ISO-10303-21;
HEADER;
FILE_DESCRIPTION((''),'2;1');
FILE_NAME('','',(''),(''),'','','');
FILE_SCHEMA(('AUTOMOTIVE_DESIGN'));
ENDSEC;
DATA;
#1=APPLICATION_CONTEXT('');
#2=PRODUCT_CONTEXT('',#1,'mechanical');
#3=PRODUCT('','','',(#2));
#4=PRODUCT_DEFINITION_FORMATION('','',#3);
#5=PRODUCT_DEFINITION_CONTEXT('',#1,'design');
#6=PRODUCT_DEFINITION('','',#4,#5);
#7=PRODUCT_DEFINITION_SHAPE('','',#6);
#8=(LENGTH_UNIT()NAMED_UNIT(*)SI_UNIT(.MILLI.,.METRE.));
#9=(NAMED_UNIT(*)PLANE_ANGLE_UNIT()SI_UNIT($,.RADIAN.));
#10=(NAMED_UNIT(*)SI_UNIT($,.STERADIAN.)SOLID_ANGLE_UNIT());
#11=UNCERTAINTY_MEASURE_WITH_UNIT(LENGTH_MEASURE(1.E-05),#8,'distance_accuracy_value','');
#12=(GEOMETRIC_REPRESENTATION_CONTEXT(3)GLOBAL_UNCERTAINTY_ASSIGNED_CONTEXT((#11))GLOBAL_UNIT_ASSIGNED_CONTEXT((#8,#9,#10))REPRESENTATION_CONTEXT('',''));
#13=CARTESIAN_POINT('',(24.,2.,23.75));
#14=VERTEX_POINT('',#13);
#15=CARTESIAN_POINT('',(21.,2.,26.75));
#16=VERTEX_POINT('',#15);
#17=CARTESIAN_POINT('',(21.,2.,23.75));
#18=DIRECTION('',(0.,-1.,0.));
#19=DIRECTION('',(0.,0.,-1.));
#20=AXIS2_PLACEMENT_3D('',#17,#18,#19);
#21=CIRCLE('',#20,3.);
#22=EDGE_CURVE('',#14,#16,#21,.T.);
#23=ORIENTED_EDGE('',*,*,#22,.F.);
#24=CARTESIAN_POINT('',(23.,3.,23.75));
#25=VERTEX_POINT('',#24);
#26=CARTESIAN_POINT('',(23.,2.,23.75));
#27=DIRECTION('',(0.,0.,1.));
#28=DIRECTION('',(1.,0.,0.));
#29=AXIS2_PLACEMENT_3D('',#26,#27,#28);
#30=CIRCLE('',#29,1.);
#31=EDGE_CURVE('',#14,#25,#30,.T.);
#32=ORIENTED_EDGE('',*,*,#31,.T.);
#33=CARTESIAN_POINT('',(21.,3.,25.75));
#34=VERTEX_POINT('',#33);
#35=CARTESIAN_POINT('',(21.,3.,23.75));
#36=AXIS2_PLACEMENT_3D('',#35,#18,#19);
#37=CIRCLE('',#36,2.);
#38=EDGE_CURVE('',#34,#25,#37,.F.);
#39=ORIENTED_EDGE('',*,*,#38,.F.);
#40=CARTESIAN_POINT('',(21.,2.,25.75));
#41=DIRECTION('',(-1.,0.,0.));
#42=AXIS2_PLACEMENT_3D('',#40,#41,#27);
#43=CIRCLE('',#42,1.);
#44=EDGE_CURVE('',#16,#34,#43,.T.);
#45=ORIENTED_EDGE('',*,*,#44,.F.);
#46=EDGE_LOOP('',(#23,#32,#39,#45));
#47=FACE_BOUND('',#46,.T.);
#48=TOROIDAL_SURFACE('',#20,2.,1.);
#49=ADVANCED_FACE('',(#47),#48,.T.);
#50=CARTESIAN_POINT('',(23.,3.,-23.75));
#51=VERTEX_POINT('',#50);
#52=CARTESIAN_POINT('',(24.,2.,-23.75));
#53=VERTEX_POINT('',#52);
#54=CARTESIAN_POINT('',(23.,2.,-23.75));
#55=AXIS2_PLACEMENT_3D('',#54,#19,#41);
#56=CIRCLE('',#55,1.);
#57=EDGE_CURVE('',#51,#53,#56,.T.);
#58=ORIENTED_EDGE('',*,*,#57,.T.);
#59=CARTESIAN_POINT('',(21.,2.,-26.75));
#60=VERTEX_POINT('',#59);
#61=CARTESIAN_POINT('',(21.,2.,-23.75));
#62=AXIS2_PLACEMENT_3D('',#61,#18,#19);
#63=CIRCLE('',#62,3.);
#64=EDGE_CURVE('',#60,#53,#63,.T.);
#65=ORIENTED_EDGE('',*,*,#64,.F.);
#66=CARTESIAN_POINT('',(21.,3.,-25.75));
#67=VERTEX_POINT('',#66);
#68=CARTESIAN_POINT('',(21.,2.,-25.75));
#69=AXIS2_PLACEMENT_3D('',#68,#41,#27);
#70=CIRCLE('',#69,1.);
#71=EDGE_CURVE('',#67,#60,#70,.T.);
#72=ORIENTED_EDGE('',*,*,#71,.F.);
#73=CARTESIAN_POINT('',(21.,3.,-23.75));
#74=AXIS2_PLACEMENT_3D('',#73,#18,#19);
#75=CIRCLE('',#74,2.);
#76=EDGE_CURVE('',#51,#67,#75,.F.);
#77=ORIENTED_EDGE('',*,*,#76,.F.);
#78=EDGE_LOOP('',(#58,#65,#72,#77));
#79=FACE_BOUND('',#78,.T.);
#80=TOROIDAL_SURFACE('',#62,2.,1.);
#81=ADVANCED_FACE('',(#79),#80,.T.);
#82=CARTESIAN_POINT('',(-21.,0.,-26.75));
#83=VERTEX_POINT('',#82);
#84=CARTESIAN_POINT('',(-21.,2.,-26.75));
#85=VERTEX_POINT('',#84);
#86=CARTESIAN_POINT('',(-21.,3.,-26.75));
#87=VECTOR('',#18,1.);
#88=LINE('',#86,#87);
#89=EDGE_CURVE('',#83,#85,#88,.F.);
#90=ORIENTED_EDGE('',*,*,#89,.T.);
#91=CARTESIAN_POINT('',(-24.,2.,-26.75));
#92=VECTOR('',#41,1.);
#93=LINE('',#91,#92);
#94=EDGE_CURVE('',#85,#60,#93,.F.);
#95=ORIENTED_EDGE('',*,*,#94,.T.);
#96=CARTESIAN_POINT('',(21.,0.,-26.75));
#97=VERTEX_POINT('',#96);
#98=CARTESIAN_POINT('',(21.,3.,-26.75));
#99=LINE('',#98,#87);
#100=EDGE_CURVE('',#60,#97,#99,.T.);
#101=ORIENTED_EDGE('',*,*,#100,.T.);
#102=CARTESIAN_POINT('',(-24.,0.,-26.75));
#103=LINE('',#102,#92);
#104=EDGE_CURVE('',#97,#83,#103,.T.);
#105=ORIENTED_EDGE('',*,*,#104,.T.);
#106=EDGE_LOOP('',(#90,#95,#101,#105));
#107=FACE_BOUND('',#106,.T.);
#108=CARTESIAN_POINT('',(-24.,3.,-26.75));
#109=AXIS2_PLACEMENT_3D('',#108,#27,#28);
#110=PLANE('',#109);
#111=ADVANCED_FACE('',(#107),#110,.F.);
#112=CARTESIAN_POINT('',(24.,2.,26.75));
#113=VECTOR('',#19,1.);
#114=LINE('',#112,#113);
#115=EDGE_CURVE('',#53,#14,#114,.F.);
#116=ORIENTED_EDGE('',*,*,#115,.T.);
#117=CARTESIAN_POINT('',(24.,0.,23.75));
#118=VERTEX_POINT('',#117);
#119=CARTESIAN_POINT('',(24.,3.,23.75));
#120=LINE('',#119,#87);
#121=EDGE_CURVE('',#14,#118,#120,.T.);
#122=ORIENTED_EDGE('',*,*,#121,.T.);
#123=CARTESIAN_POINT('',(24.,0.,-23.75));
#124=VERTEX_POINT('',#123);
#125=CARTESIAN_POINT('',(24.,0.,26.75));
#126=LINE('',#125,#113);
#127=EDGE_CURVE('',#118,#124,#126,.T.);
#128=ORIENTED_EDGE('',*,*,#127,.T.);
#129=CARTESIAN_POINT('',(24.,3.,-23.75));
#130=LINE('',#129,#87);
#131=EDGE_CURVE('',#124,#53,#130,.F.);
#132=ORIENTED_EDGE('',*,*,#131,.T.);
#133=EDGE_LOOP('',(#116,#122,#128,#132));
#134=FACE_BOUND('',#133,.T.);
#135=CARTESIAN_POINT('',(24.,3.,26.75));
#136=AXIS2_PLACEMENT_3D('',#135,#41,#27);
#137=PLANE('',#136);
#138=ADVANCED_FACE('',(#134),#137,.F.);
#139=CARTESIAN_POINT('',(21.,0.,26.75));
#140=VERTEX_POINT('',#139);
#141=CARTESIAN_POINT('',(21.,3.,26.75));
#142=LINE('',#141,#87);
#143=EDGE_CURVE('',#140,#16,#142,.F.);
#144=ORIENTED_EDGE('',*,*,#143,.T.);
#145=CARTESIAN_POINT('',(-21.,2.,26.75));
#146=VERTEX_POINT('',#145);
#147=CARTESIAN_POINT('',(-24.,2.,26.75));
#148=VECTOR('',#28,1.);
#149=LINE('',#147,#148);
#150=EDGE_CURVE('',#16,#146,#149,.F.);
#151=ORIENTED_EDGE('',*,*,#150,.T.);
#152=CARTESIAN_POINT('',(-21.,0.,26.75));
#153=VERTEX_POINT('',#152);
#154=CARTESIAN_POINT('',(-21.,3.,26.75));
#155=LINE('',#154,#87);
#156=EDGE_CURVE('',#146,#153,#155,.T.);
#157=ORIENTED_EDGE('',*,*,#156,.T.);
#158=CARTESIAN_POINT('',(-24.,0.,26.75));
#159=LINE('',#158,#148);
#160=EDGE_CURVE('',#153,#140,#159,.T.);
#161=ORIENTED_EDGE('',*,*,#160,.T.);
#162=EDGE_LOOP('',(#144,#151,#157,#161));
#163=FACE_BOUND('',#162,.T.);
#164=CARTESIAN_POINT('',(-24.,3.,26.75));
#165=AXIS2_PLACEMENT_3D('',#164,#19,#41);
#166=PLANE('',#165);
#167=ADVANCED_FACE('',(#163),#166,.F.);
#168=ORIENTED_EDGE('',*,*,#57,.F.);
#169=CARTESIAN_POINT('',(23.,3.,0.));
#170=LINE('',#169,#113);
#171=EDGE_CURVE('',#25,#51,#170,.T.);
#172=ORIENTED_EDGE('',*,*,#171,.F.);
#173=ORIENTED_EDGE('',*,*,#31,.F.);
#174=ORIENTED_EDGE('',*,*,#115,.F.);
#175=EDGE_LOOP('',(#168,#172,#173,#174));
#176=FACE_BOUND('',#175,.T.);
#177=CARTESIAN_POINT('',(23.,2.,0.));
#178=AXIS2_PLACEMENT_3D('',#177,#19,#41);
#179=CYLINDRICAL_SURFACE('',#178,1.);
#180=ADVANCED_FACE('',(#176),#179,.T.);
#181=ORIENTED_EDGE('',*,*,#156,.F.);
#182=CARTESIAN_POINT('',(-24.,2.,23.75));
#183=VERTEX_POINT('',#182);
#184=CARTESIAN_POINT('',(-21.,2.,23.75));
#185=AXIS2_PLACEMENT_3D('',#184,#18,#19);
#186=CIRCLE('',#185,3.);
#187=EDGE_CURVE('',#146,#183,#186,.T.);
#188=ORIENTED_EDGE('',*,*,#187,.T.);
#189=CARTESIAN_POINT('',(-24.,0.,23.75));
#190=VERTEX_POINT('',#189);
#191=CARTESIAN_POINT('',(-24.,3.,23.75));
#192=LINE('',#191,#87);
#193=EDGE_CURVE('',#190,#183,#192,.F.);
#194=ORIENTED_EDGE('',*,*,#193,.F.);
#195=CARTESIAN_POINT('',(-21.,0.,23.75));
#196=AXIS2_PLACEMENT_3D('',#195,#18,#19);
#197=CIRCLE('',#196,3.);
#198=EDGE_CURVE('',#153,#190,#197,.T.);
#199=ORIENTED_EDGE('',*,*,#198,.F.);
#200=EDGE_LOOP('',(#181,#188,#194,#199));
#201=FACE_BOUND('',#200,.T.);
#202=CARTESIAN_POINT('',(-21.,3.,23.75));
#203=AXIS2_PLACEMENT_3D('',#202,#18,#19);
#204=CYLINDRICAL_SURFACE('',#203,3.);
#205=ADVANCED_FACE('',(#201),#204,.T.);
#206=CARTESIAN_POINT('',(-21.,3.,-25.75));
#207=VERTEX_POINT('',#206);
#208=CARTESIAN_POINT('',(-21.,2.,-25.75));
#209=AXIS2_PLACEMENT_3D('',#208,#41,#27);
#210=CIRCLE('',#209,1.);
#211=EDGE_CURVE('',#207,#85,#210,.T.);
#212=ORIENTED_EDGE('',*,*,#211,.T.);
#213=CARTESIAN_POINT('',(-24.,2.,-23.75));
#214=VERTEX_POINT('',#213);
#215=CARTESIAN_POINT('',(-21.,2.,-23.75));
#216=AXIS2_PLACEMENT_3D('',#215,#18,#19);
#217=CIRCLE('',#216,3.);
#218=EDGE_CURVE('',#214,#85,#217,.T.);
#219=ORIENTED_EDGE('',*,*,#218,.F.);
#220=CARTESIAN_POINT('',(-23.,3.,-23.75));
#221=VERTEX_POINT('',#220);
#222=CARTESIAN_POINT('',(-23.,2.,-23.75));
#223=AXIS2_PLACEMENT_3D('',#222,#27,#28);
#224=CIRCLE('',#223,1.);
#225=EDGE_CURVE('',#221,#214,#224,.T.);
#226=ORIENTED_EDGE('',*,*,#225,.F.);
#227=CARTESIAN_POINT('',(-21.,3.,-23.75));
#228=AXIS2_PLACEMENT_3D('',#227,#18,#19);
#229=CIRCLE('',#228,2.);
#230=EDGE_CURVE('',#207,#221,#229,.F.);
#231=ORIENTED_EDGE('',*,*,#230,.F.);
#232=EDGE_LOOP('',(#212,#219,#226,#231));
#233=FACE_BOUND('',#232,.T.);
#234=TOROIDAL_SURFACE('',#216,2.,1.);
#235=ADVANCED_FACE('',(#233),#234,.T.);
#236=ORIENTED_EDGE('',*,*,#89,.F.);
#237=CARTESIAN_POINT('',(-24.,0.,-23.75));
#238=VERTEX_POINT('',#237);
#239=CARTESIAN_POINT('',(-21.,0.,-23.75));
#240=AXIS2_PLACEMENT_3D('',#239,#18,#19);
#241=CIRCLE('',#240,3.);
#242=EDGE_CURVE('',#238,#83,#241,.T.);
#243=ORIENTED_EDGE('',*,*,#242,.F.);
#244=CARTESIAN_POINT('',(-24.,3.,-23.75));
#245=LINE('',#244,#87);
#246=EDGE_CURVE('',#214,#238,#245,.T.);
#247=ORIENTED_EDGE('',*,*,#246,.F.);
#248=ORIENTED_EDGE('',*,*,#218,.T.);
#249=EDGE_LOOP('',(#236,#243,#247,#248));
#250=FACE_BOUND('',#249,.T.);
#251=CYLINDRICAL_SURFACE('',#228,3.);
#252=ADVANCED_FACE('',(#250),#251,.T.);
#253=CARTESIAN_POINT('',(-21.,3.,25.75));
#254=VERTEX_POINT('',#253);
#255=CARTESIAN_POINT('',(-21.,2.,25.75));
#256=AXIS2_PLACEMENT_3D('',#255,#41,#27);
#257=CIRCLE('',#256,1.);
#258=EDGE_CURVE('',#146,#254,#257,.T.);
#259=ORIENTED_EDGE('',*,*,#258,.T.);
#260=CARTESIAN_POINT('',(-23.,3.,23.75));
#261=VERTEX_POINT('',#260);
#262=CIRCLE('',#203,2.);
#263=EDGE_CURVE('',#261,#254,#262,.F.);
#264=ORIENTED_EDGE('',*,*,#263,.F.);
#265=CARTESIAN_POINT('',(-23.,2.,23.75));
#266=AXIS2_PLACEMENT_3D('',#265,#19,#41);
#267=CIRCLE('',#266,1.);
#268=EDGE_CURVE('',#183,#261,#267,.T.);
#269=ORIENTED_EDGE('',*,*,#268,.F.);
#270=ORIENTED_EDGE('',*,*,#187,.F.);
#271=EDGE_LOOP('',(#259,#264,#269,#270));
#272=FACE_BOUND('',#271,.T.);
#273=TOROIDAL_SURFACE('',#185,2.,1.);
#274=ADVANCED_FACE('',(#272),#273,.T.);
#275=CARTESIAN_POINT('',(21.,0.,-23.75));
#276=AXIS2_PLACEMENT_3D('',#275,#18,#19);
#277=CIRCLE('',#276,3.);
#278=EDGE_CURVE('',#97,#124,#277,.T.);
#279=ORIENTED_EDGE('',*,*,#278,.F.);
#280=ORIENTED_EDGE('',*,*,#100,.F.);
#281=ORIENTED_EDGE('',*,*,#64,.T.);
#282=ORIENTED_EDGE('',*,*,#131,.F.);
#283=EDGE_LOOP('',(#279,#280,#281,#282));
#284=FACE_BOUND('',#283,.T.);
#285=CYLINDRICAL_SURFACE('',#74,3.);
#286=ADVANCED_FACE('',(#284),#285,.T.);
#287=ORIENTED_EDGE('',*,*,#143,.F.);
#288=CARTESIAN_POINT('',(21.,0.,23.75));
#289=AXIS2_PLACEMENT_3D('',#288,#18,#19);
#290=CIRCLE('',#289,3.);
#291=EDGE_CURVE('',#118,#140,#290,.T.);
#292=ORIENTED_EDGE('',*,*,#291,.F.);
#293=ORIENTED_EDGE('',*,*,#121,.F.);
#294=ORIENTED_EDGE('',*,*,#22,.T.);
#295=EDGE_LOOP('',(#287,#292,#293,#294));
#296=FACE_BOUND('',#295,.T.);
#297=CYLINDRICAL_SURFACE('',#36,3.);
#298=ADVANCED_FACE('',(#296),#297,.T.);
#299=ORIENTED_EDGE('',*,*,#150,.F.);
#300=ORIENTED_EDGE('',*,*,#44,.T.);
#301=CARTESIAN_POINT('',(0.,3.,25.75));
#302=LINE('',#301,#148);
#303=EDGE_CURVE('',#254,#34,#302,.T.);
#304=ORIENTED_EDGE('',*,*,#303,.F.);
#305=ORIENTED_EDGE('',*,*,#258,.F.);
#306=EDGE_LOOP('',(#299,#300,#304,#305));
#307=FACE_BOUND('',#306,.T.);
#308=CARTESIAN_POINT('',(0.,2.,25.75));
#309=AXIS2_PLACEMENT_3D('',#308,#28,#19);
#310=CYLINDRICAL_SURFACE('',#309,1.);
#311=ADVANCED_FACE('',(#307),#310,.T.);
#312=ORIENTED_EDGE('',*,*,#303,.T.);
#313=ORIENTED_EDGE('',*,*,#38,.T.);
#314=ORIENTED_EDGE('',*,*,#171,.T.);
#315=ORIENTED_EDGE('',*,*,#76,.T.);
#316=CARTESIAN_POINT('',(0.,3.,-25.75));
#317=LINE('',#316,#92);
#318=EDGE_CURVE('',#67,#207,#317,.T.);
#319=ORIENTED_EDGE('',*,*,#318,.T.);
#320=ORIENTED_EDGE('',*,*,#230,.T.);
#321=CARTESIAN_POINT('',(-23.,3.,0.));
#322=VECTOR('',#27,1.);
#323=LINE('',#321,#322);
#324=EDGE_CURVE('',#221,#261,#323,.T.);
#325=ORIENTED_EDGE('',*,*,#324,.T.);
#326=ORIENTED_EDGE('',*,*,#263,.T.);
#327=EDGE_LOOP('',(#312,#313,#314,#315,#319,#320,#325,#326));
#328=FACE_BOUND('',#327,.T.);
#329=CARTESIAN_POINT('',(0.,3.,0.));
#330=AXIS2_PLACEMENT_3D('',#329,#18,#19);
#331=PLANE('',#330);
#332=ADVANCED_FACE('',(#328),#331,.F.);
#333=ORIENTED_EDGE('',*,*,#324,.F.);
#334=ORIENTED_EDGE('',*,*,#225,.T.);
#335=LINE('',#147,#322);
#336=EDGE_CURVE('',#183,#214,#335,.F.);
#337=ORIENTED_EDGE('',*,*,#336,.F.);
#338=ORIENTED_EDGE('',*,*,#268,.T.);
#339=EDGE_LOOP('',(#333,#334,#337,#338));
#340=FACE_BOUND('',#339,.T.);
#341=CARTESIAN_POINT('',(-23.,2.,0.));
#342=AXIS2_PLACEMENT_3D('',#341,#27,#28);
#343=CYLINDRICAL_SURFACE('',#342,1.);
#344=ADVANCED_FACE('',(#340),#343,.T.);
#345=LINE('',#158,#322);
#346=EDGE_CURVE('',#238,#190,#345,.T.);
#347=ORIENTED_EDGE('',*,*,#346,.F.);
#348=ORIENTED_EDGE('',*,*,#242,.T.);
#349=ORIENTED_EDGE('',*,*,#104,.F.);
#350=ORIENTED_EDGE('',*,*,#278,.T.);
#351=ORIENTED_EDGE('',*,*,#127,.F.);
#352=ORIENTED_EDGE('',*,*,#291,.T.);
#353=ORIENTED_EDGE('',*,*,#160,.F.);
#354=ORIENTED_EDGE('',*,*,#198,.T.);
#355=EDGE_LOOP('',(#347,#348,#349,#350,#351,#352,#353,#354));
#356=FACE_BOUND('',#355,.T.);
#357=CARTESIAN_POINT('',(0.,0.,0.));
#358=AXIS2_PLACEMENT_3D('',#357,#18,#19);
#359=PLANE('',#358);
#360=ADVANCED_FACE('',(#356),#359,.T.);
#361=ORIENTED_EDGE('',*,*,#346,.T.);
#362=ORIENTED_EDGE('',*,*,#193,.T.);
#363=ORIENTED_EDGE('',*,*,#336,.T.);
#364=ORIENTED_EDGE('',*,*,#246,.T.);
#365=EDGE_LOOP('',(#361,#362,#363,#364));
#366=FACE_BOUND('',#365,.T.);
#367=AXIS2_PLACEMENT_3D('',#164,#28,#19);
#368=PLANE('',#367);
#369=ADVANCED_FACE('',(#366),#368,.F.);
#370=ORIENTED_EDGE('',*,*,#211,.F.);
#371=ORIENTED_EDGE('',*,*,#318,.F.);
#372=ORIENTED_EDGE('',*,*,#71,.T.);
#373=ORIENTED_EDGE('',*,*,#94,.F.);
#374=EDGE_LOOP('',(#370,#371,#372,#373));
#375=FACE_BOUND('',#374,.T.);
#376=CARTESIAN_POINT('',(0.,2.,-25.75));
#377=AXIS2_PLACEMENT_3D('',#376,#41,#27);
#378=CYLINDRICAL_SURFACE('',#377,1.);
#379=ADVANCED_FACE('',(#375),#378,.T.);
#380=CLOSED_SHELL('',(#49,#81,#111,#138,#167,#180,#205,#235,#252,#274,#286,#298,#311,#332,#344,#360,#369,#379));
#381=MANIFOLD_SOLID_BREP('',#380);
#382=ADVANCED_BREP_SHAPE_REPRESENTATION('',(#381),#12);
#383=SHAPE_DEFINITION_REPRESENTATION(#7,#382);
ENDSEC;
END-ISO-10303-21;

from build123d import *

# Parameters (mm, degrees)
SKETCH1_W           = 48
SKETCH1_H           = 53.5
BOSS_EXTRUDE1_DEPTH = 3
FILLET1_R           = 3
FILLET2_R           = 1


with BuildPart() as part:
    # Sketch1 → Boss-Extrude1 (new body)
    with BuildSketch(Plane(origin=(0, 0, 0), x_dir=(1, 0, 0), z_dir=(0, 1, 0))):
        Rectangle(SKETCH1_W, SKETCH1_H)
    extrude(amount=BOSS_EXTRUDE1_DEPTH)

    # Fillet1
    fillet1_edges = [part.edges().sort_by_distance(p)[0] for p in [
        (24, 1.5, 26.75),
        (-24, 1.5, 26.75),
        (-24, 1.5, -26.75),
        (24, 1.5, -26.75),
    ]]
    fillet(fillet1_edges, radius=FILLET1_R)

    # Fillet2
    fillet2_edges = [part.edges().sort_by_distance(p)[0] for p in [
        (0, 3, 26.75),
        (-24, 3, 0),
        (24, 3, 0),
        (0, 3, -26.75),
        (23.121320344, 3, 25.871320344),
        (23.121320344, 3, -25.871320344),
        (-23.121320344, 3, -25.871320344),
        (-23.121320344, 3, 25.871320344),
    ]]
    fillet(fillet2_edges, radius=FILLET2_R)


solid = part.part
